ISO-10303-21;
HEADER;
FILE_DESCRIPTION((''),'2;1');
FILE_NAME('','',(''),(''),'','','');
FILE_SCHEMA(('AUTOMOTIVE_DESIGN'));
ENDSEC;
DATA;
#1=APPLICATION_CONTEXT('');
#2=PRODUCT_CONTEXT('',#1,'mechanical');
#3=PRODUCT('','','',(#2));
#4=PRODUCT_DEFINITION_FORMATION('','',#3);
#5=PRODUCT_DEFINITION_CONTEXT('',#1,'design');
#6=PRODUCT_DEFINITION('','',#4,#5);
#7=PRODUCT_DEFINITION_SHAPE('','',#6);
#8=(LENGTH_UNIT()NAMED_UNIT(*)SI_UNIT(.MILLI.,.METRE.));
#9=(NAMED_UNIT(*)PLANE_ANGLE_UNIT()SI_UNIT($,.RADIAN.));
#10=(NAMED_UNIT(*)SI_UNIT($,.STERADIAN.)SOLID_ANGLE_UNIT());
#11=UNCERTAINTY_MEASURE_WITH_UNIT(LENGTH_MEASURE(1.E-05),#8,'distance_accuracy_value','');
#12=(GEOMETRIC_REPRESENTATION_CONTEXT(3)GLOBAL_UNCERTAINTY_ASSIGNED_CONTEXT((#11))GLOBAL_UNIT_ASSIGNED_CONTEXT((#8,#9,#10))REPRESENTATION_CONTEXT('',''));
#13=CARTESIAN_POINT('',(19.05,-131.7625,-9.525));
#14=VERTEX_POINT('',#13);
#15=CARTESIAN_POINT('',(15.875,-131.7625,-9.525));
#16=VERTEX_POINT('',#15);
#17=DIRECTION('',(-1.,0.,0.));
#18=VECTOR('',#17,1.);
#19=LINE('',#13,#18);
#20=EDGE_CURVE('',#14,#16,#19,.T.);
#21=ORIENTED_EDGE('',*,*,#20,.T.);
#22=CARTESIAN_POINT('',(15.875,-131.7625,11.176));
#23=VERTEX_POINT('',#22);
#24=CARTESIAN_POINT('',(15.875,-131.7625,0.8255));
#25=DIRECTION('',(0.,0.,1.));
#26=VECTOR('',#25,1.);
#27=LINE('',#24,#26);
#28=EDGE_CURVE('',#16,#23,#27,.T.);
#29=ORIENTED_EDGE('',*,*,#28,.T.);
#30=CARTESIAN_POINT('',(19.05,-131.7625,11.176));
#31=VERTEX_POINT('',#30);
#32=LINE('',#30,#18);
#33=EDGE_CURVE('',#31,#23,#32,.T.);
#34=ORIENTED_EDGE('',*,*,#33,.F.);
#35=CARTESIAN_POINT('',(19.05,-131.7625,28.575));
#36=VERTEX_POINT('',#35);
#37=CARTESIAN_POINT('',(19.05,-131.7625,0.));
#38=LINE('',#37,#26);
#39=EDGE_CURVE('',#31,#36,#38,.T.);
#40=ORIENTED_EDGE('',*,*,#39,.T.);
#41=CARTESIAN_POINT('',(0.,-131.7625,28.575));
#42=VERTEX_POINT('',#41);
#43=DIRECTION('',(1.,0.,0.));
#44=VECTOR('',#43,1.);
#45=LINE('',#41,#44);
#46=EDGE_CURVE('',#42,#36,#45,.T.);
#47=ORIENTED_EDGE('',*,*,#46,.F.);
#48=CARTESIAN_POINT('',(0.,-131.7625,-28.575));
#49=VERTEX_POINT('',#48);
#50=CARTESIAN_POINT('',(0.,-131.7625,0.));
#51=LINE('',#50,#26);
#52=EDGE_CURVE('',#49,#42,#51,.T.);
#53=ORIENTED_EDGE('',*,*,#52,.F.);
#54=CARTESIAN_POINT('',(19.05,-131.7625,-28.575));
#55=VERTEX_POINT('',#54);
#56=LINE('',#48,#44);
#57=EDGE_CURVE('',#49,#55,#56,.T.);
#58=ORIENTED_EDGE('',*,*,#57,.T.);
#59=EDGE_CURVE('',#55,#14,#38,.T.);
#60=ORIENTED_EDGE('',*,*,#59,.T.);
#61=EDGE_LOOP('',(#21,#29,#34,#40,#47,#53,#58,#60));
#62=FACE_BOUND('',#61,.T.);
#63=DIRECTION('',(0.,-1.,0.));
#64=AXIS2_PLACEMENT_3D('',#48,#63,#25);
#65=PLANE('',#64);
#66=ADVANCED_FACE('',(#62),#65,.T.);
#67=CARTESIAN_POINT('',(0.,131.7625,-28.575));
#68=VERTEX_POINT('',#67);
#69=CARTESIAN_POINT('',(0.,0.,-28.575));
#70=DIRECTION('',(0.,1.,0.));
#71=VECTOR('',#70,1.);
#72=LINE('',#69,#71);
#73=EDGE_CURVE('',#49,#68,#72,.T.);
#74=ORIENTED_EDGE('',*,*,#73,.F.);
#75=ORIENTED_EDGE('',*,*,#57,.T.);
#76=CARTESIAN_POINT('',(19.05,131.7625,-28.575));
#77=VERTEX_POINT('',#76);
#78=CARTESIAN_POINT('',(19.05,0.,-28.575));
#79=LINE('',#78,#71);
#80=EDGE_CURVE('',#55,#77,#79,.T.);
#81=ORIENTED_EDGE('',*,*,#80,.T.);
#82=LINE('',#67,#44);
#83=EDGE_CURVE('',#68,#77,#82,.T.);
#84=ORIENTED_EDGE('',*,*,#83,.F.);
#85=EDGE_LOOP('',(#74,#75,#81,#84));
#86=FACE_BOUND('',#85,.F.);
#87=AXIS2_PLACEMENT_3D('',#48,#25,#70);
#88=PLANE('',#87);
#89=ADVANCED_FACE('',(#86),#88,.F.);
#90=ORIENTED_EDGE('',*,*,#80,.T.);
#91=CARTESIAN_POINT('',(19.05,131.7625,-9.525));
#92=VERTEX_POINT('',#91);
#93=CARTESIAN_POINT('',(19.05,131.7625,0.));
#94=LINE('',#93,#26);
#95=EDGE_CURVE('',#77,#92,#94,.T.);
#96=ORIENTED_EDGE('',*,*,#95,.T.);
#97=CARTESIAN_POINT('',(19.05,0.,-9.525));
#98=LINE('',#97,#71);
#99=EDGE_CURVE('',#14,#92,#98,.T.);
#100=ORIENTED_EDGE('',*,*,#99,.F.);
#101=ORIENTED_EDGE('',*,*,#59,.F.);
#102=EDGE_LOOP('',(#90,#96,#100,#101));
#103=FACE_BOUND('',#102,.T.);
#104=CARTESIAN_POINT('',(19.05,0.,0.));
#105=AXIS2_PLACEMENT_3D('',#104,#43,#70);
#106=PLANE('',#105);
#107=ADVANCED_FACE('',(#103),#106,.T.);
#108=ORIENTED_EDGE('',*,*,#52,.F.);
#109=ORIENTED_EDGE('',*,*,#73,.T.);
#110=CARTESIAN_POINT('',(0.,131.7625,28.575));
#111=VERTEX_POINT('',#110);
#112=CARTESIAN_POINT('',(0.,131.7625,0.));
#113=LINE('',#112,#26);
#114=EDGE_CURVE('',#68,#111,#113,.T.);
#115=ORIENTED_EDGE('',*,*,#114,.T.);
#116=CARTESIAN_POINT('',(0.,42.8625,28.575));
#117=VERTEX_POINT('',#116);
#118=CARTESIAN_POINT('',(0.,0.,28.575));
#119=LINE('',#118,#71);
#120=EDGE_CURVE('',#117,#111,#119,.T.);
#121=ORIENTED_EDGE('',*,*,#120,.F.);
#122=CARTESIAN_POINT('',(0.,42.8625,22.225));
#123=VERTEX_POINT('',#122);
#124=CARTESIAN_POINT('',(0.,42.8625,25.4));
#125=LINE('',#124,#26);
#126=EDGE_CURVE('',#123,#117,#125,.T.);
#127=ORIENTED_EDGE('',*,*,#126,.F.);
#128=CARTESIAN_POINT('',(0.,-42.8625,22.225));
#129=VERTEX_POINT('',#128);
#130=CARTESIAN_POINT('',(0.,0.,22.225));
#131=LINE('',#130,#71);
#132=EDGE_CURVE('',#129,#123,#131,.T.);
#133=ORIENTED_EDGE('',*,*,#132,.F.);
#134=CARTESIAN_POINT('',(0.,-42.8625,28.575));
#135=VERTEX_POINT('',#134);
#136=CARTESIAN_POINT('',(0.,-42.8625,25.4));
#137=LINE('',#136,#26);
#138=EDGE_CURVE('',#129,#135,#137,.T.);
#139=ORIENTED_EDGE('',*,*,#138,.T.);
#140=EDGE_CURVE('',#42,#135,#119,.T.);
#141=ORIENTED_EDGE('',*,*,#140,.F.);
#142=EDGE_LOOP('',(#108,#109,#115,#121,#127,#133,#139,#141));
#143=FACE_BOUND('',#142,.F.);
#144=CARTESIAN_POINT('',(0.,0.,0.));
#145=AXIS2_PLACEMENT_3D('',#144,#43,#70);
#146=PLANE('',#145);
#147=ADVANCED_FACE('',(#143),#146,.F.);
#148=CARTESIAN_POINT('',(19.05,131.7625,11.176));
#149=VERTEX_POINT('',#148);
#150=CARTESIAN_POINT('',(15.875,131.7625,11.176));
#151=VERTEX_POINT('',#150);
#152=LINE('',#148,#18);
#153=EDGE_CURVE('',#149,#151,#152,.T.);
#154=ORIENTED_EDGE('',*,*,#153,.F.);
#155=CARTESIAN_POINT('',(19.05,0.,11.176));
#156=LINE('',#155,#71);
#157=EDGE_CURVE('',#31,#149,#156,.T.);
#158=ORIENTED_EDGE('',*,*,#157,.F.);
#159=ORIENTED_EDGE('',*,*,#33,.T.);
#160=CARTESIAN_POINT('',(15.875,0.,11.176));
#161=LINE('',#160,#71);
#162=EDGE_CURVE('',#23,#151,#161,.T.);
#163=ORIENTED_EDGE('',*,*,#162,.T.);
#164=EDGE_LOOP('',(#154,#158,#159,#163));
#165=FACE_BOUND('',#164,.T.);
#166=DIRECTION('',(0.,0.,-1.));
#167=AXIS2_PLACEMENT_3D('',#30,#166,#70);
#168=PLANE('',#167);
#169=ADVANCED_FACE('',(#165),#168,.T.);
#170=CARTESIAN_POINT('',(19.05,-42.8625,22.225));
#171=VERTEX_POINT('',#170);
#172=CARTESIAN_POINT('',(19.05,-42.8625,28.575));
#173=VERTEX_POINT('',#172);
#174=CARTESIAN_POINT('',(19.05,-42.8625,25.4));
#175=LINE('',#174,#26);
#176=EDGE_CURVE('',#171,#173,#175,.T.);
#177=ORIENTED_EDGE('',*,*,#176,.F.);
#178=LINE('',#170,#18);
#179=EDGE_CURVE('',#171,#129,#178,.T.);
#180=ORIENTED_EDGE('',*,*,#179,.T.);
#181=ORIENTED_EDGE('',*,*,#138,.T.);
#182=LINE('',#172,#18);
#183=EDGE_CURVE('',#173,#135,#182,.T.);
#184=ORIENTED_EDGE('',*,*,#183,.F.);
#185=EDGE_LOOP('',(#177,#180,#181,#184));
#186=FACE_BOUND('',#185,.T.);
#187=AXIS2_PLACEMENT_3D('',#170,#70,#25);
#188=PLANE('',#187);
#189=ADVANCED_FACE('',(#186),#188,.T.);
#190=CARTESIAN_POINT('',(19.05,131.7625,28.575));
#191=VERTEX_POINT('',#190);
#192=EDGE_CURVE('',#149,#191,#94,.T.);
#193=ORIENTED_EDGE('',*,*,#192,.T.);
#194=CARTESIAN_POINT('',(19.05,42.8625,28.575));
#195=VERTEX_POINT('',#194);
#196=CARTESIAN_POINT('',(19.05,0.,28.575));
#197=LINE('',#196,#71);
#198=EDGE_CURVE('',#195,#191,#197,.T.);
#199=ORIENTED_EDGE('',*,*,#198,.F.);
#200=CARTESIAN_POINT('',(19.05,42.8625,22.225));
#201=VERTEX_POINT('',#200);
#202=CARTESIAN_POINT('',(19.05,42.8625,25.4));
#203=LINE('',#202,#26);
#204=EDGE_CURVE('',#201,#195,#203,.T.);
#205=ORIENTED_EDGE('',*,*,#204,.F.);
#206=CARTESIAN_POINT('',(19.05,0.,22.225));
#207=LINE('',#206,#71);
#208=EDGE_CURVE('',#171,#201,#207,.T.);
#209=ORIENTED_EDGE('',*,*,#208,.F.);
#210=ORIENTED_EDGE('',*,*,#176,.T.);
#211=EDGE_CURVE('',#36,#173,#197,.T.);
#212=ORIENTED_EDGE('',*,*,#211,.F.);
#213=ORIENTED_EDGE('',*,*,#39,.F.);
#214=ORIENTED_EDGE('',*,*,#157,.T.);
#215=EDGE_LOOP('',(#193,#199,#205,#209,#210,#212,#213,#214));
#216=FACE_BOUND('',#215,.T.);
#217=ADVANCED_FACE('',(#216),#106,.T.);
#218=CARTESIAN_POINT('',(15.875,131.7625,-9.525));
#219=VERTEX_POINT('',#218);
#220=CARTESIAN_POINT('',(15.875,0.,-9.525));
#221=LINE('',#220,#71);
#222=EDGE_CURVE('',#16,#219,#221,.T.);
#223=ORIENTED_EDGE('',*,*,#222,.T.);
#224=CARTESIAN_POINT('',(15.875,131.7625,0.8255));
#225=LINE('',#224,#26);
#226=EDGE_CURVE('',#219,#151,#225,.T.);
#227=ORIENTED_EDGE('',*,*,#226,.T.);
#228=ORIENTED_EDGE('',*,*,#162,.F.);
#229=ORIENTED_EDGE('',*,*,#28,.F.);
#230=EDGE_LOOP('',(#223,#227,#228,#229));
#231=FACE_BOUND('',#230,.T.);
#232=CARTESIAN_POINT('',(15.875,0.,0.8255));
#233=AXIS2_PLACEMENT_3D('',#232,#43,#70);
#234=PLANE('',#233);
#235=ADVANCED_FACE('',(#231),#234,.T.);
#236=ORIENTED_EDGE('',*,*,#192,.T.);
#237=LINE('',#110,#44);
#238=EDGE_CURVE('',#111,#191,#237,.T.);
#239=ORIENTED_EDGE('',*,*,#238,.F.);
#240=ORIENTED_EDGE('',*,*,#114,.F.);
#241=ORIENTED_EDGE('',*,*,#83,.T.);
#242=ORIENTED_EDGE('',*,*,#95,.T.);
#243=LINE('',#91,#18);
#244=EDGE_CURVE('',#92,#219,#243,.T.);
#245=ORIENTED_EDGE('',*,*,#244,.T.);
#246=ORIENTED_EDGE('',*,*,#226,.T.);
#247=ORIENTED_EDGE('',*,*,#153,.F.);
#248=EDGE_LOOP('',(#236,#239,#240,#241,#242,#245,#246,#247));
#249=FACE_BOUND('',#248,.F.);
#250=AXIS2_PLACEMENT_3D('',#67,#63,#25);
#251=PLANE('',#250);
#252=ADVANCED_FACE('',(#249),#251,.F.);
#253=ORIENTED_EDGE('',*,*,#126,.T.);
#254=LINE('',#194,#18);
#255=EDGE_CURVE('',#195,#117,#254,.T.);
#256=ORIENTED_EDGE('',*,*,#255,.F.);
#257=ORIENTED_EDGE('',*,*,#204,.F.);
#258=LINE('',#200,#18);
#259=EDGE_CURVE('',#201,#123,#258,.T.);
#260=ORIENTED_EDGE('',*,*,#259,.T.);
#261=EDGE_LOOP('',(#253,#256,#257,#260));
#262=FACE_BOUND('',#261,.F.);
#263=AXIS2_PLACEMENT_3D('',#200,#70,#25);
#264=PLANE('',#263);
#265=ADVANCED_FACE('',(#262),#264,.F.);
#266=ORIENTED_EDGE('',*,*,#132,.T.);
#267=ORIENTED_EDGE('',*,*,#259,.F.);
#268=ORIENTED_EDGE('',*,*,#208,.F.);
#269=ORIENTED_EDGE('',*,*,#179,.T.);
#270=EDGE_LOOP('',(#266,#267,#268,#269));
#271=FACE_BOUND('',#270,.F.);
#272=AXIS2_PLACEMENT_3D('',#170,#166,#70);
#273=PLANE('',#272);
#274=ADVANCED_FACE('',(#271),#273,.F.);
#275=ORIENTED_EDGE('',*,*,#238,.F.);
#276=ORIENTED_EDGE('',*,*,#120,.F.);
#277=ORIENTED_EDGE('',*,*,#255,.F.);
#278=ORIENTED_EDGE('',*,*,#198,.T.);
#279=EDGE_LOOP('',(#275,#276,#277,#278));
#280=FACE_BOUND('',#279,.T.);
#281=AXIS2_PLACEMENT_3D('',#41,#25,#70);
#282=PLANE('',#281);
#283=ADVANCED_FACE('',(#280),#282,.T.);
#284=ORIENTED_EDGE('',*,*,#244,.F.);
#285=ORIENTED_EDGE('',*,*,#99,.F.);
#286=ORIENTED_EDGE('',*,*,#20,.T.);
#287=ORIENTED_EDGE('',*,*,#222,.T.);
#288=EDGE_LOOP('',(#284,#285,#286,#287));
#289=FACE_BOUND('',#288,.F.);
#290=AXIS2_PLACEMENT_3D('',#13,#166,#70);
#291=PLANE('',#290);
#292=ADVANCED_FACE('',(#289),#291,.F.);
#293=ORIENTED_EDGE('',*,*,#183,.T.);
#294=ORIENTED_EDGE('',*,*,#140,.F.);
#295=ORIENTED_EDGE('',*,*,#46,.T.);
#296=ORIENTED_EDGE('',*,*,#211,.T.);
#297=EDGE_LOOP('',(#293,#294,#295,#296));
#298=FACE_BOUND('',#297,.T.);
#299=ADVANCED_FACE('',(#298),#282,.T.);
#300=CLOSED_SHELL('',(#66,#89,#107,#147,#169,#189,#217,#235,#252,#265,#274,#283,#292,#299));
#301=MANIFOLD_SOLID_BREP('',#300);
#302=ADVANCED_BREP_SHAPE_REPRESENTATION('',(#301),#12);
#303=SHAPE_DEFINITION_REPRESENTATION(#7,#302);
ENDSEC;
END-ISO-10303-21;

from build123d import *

# Parameters (mm, degrees)
F0_W     = 263.525
F0_H     = 57.15
F1_DEPTH = 19.05
F2_W     = 263.525
F2_H     = 20.701
F3_DEPTH = 3.175
F4_W     = 85.725
F4_H     = 6.35
F5_DEPTH = 19.05


with BuildPart() as f1:
    # F0 (on Right) → F1 (new body)
    with BuildSketch(Plane.YZ):
        Rectangle(F0_W, F0_H)
    extrude(amount=F1_DEPTH)

    # F2 (on face) → F3 (cut)
    with BuildSketch(Plane.YZ.offset(19.05)):
        with Locations((0, 0.8255)):
            Rectangle(F2_W, F2_H)
    extrude(amount=-F3_DEPTH, mode=Mode.SUBTRACT)

    # F4 (on face) → F5 (cut, through all)
    with BuildSketch(Plane.YZ.offset(19.05)):
        with Locations((0, 25.4)):
            Rectangle(F4_W, F4_H)
    extrude(amount=-F5_DEPTH, mode=Mode.SUBTRACT)


solid = f1.part
